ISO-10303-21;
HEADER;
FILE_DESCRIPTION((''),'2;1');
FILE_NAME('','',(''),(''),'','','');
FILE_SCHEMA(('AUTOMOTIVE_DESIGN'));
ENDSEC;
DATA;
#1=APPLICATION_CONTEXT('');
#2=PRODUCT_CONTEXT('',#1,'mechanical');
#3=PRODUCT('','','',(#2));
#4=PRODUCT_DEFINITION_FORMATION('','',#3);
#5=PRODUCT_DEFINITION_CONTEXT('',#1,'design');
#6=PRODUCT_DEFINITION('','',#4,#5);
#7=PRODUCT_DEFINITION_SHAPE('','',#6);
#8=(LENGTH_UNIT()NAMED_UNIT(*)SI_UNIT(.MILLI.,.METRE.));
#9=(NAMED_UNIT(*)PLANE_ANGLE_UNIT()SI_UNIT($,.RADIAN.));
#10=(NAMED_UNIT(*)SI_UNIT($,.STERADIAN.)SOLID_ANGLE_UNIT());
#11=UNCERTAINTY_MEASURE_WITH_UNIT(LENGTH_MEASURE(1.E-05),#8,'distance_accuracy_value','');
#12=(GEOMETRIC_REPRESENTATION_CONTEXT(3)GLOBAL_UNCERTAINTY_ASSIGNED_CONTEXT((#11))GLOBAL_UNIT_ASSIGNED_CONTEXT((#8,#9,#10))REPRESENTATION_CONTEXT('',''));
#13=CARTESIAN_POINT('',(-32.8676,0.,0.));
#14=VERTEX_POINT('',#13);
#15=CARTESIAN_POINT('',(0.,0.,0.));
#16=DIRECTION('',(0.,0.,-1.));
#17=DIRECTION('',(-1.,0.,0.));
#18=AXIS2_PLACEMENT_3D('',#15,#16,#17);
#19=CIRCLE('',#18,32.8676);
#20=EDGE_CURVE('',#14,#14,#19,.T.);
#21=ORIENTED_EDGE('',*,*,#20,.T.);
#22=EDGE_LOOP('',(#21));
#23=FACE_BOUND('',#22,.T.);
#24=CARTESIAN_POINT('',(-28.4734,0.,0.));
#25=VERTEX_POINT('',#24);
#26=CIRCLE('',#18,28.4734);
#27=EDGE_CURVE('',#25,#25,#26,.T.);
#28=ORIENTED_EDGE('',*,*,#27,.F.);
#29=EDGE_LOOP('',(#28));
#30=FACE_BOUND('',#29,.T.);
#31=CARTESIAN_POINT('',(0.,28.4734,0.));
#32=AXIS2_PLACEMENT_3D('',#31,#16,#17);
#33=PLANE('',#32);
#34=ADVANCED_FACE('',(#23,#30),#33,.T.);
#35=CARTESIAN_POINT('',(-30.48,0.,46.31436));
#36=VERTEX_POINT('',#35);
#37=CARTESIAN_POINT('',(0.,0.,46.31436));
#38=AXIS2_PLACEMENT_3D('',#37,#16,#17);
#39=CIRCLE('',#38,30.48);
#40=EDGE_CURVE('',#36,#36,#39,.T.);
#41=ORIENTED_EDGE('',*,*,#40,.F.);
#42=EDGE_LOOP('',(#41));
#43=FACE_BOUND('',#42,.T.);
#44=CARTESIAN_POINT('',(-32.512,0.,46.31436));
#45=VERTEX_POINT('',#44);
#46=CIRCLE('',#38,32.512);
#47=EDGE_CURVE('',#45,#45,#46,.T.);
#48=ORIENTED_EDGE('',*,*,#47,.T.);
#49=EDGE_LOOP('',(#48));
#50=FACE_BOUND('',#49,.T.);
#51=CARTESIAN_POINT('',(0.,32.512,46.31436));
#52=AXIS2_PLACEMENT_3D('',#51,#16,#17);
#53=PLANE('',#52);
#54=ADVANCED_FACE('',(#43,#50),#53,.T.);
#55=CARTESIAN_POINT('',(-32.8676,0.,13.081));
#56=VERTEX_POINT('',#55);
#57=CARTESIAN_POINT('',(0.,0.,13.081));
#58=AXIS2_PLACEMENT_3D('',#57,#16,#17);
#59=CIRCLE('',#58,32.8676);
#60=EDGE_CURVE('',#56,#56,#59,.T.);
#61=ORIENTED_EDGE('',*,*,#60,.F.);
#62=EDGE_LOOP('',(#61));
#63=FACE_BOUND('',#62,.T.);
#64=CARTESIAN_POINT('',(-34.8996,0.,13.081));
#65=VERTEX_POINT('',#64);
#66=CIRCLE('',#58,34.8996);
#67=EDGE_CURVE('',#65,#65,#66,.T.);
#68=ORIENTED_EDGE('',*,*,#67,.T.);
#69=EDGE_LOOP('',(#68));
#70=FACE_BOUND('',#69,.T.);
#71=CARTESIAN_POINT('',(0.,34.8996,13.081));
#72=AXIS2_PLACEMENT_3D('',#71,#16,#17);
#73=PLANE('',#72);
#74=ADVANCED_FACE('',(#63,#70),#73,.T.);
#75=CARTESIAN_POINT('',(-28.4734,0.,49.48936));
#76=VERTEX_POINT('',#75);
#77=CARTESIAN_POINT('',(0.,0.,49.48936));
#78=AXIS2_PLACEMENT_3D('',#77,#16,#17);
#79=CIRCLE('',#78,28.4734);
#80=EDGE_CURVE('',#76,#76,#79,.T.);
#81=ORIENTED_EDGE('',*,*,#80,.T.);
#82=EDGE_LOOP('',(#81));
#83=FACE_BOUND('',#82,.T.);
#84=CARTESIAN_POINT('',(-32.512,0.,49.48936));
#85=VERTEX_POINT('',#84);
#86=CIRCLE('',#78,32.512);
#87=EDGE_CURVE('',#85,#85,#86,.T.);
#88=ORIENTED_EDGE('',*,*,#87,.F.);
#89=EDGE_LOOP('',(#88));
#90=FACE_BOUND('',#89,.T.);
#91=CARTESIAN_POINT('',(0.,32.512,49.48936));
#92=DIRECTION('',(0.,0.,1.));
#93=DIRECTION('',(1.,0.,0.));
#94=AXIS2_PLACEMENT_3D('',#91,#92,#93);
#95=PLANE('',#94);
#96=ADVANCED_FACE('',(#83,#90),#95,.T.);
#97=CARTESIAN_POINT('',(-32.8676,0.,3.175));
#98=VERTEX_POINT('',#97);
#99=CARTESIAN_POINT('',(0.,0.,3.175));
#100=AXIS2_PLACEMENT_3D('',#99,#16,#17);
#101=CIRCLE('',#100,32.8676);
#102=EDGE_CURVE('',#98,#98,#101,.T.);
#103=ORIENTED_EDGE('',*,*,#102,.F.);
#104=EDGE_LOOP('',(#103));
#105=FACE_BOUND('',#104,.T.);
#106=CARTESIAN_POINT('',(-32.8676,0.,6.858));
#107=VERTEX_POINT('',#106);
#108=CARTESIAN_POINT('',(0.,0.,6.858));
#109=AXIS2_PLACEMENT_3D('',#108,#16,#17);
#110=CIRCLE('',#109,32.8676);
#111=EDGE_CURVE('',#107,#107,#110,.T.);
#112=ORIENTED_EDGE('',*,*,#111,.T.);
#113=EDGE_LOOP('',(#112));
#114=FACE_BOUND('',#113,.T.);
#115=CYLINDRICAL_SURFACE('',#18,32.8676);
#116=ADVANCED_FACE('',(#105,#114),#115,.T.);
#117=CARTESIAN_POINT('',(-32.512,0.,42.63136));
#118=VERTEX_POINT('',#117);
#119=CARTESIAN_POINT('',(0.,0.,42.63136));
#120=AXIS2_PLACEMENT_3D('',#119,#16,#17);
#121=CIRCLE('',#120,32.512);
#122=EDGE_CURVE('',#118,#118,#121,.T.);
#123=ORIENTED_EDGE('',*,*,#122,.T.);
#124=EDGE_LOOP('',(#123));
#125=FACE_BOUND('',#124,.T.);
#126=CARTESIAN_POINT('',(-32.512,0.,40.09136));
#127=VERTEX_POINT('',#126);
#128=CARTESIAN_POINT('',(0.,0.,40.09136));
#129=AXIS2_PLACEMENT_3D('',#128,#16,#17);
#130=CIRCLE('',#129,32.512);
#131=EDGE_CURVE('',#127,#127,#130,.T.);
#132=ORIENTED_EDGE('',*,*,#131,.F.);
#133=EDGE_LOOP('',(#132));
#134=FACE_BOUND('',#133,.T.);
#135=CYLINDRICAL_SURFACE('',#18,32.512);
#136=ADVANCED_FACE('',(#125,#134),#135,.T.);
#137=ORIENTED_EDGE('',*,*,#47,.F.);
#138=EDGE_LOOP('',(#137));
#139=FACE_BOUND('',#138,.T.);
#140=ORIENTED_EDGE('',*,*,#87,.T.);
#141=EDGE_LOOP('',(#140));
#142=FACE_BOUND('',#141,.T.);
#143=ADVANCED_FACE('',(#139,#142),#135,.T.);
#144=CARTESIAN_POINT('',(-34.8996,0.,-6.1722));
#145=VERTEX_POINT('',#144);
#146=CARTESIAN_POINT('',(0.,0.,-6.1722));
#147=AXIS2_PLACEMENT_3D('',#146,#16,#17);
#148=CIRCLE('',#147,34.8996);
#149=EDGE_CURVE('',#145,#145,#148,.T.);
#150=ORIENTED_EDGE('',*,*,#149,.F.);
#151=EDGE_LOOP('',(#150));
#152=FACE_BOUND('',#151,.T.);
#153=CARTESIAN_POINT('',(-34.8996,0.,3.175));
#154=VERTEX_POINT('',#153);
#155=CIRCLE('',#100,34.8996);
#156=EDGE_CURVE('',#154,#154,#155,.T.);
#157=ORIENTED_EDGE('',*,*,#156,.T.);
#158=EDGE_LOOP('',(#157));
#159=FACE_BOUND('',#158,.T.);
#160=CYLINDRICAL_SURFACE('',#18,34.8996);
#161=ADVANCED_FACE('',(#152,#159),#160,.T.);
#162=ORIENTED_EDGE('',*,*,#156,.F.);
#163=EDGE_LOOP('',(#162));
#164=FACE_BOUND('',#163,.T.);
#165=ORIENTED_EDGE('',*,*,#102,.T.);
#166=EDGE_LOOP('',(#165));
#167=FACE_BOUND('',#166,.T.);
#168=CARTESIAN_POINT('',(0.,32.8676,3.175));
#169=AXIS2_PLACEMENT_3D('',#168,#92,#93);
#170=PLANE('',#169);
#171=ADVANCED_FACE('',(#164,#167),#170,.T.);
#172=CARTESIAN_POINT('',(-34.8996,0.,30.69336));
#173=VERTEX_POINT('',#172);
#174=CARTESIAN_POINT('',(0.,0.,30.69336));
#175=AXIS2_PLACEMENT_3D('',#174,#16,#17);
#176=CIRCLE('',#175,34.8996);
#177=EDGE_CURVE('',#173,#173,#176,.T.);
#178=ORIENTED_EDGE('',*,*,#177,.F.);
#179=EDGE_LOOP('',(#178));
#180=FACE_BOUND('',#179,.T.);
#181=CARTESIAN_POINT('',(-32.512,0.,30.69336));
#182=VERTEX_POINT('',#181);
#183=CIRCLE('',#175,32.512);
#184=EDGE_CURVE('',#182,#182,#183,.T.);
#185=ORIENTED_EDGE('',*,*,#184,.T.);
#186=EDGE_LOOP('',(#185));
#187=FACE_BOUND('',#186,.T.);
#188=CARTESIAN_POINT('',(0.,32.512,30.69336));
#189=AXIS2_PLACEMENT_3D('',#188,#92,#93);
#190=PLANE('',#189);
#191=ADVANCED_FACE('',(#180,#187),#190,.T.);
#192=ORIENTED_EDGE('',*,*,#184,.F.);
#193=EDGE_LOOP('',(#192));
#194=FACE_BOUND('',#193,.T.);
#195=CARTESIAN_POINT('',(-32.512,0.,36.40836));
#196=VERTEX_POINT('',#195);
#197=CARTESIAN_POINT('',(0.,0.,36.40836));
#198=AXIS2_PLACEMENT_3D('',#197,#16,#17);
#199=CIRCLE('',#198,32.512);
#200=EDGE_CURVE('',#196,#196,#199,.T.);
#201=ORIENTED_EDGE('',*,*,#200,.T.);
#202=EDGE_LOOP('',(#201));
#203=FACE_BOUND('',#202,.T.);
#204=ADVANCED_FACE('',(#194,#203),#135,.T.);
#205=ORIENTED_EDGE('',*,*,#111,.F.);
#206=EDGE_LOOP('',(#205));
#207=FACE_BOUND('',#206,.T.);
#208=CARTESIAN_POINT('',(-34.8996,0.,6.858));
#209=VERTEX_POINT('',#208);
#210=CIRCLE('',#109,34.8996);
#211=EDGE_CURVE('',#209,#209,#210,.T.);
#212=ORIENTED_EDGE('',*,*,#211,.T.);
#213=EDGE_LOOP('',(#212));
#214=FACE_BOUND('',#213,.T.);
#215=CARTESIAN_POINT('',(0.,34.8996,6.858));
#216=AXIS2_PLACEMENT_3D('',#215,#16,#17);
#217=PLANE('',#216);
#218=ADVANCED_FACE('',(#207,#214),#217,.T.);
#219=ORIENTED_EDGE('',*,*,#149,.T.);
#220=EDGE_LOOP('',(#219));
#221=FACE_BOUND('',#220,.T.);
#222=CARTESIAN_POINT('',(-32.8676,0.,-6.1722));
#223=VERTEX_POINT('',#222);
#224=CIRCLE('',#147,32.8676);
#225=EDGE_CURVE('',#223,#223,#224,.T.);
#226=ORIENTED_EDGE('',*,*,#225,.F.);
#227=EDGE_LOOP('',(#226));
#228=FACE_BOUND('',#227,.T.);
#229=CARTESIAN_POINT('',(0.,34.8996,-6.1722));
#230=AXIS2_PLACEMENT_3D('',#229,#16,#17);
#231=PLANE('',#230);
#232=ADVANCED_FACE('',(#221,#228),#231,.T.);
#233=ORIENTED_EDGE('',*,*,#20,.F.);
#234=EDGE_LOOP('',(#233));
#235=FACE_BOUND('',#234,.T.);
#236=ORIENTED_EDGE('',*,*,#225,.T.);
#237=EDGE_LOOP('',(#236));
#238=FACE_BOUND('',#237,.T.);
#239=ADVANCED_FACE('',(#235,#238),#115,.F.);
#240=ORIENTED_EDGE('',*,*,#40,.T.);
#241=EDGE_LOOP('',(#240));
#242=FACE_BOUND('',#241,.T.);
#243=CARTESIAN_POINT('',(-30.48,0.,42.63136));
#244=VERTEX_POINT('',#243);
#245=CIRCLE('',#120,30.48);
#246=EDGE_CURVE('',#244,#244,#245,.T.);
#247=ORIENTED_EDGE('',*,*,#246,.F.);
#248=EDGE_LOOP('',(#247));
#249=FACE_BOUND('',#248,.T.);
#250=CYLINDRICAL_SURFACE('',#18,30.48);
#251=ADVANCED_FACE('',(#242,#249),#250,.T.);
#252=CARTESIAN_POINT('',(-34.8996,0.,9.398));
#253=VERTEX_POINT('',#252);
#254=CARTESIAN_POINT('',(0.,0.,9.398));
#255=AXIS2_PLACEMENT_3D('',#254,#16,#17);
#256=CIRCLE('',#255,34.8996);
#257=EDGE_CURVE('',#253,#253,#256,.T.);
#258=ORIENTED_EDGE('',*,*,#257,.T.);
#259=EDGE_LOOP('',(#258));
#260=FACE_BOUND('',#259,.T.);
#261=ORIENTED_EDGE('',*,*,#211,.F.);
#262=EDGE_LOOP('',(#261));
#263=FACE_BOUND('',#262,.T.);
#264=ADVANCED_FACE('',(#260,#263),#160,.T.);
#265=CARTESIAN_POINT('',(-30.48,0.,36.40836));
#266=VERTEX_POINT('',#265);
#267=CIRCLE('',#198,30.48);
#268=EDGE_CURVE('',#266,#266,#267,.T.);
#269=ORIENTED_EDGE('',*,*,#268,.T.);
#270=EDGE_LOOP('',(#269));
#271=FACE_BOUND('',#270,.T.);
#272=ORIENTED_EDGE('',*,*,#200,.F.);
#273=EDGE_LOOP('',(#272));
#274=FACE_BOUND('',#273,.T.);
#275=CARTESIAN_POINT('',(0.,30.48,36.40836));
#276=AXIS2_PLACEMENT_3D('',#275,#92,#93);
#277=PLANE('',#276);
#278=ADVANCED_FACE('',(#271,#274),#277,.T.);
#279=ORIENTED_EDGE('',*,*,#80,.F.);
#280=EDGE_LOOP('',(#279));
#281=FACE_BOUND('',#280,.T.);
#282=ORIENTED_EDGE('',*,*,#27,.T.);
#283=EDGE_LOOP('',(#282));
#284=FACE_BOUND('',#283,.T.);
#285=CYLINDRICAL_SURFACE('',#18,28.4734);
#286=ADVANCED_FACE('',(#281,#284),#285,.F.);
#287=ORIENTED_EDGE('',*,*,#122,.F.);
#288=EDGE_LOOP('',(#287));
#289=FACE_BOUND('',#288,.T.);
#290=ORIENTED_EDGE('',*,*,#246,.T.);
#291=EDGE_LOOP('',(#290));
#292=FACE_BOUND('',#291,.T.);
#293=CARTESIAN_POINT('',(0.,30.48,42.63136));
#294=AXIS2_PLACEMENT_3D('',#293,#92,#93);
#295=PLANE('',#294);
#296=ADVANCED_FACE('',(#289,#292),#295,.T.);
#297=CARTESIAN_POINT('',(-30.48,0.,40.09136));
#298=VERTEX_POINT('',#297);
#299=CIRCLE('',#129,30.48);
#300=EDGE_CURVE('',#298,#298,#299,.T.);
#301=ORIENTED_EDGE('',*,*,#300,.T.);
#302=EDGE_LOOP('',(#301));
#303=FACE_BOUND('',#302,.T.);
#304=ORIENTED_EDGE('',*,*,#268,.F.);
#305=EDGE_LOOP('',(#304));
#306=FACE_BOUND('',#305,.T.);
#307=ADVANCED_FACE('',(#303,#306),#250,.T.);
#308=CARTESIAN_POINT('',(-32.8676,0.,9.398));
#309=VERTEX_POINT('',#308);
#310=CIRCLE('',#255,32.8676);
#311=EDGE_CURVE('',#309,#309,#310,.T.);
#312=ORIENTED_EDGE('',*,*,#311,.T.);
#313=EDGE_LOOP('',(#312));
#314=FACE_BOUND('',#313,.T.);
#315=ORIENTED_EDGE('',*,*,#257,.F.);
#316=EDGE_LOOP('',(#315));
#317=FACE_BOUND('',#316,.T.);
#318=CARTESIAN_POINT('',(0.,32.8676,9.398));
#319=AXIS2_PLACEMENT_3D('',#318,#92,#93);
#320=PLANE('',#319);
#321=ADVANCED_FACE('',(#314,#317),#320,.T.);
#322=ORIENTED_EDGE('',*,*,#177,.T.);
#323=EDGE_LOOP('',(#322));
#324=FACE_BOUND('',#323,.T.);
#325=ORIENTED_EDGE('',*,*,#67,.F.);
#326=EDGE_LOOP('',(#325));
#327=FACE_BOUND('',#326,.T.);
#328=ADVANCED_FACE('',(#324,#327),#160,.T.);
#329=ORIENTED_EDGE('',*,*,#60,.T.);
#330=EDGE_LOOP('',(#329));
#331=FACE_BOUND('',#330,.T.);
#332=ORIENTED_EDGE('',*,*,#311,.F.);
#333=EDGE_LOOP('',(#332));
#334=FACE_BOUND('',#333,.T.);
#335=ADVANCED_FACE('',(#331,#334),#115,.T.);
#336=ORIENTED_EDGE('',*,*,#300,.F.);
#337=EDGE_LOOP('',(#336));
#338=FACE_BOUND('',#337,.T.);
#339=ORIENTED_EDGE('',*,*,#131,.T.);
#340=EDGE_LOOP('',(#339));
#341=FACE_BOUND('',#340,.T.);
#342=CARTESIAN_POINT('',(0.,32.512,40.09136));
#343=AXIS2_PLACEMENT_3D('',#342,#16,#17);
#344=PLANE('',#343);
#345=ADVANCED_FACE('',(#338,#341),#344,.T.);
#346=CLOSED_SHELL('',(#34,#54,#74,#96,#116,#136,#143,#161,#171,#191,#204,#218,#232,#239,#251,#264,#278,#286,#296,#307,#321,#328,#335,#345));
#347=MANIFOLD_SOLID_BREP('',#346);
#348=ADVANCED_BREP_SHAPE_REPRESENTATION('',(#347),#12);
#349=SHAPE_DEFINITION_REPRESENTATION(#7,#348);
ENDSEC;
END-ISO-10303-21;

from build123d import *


with BuildPart() as part:
    # Sketch1 → Revolve1 (O-Rings : 2-141 & 2-144) (revolve)
    with BuildSketch(Plane(origin=(0, 0, 0), x_dir=(0, 0, -1), z_dir=(1, 0, 0)), mode=Mode.PRIVATE) as revolve1_o_rings_2_141_2_144_sk:
        Polygon((0, 28.4734), (0, 32.8676), (6.1722, 32.8676), (6.1722, 34.8996), (-3.175, 34.8996), (-3.175, 32.8676), (-6.858, 32.8676), (-6.858, 34.8996), (-9.398, 34.8996), (-9.398, 32.8676), (-13.081, 32.8676), (-13.081, 34.8996), (-30.69336, 34.8996), (-30.69336, 32.512), (-36.40836, 32.512), (-36.40836, 30.48), (-40.09136, 30.48), (-40.09136, 32.512), (-42.63136, 32.512), (-42.63136, 30.48), (-46.31436, 30.48), (-46.31436, 32.512), (-49.48936, 32.512), (-49.48936, 28.4734), align=None)
    revolve(revolve1_o_rings_2_141_2_144_sk.sketch.rotate(Axis((0, 0, 0), (0, 0, 1)), 90), axis=Axis((0, 0, 0), (0, 0, 1)))


solid = part.part
